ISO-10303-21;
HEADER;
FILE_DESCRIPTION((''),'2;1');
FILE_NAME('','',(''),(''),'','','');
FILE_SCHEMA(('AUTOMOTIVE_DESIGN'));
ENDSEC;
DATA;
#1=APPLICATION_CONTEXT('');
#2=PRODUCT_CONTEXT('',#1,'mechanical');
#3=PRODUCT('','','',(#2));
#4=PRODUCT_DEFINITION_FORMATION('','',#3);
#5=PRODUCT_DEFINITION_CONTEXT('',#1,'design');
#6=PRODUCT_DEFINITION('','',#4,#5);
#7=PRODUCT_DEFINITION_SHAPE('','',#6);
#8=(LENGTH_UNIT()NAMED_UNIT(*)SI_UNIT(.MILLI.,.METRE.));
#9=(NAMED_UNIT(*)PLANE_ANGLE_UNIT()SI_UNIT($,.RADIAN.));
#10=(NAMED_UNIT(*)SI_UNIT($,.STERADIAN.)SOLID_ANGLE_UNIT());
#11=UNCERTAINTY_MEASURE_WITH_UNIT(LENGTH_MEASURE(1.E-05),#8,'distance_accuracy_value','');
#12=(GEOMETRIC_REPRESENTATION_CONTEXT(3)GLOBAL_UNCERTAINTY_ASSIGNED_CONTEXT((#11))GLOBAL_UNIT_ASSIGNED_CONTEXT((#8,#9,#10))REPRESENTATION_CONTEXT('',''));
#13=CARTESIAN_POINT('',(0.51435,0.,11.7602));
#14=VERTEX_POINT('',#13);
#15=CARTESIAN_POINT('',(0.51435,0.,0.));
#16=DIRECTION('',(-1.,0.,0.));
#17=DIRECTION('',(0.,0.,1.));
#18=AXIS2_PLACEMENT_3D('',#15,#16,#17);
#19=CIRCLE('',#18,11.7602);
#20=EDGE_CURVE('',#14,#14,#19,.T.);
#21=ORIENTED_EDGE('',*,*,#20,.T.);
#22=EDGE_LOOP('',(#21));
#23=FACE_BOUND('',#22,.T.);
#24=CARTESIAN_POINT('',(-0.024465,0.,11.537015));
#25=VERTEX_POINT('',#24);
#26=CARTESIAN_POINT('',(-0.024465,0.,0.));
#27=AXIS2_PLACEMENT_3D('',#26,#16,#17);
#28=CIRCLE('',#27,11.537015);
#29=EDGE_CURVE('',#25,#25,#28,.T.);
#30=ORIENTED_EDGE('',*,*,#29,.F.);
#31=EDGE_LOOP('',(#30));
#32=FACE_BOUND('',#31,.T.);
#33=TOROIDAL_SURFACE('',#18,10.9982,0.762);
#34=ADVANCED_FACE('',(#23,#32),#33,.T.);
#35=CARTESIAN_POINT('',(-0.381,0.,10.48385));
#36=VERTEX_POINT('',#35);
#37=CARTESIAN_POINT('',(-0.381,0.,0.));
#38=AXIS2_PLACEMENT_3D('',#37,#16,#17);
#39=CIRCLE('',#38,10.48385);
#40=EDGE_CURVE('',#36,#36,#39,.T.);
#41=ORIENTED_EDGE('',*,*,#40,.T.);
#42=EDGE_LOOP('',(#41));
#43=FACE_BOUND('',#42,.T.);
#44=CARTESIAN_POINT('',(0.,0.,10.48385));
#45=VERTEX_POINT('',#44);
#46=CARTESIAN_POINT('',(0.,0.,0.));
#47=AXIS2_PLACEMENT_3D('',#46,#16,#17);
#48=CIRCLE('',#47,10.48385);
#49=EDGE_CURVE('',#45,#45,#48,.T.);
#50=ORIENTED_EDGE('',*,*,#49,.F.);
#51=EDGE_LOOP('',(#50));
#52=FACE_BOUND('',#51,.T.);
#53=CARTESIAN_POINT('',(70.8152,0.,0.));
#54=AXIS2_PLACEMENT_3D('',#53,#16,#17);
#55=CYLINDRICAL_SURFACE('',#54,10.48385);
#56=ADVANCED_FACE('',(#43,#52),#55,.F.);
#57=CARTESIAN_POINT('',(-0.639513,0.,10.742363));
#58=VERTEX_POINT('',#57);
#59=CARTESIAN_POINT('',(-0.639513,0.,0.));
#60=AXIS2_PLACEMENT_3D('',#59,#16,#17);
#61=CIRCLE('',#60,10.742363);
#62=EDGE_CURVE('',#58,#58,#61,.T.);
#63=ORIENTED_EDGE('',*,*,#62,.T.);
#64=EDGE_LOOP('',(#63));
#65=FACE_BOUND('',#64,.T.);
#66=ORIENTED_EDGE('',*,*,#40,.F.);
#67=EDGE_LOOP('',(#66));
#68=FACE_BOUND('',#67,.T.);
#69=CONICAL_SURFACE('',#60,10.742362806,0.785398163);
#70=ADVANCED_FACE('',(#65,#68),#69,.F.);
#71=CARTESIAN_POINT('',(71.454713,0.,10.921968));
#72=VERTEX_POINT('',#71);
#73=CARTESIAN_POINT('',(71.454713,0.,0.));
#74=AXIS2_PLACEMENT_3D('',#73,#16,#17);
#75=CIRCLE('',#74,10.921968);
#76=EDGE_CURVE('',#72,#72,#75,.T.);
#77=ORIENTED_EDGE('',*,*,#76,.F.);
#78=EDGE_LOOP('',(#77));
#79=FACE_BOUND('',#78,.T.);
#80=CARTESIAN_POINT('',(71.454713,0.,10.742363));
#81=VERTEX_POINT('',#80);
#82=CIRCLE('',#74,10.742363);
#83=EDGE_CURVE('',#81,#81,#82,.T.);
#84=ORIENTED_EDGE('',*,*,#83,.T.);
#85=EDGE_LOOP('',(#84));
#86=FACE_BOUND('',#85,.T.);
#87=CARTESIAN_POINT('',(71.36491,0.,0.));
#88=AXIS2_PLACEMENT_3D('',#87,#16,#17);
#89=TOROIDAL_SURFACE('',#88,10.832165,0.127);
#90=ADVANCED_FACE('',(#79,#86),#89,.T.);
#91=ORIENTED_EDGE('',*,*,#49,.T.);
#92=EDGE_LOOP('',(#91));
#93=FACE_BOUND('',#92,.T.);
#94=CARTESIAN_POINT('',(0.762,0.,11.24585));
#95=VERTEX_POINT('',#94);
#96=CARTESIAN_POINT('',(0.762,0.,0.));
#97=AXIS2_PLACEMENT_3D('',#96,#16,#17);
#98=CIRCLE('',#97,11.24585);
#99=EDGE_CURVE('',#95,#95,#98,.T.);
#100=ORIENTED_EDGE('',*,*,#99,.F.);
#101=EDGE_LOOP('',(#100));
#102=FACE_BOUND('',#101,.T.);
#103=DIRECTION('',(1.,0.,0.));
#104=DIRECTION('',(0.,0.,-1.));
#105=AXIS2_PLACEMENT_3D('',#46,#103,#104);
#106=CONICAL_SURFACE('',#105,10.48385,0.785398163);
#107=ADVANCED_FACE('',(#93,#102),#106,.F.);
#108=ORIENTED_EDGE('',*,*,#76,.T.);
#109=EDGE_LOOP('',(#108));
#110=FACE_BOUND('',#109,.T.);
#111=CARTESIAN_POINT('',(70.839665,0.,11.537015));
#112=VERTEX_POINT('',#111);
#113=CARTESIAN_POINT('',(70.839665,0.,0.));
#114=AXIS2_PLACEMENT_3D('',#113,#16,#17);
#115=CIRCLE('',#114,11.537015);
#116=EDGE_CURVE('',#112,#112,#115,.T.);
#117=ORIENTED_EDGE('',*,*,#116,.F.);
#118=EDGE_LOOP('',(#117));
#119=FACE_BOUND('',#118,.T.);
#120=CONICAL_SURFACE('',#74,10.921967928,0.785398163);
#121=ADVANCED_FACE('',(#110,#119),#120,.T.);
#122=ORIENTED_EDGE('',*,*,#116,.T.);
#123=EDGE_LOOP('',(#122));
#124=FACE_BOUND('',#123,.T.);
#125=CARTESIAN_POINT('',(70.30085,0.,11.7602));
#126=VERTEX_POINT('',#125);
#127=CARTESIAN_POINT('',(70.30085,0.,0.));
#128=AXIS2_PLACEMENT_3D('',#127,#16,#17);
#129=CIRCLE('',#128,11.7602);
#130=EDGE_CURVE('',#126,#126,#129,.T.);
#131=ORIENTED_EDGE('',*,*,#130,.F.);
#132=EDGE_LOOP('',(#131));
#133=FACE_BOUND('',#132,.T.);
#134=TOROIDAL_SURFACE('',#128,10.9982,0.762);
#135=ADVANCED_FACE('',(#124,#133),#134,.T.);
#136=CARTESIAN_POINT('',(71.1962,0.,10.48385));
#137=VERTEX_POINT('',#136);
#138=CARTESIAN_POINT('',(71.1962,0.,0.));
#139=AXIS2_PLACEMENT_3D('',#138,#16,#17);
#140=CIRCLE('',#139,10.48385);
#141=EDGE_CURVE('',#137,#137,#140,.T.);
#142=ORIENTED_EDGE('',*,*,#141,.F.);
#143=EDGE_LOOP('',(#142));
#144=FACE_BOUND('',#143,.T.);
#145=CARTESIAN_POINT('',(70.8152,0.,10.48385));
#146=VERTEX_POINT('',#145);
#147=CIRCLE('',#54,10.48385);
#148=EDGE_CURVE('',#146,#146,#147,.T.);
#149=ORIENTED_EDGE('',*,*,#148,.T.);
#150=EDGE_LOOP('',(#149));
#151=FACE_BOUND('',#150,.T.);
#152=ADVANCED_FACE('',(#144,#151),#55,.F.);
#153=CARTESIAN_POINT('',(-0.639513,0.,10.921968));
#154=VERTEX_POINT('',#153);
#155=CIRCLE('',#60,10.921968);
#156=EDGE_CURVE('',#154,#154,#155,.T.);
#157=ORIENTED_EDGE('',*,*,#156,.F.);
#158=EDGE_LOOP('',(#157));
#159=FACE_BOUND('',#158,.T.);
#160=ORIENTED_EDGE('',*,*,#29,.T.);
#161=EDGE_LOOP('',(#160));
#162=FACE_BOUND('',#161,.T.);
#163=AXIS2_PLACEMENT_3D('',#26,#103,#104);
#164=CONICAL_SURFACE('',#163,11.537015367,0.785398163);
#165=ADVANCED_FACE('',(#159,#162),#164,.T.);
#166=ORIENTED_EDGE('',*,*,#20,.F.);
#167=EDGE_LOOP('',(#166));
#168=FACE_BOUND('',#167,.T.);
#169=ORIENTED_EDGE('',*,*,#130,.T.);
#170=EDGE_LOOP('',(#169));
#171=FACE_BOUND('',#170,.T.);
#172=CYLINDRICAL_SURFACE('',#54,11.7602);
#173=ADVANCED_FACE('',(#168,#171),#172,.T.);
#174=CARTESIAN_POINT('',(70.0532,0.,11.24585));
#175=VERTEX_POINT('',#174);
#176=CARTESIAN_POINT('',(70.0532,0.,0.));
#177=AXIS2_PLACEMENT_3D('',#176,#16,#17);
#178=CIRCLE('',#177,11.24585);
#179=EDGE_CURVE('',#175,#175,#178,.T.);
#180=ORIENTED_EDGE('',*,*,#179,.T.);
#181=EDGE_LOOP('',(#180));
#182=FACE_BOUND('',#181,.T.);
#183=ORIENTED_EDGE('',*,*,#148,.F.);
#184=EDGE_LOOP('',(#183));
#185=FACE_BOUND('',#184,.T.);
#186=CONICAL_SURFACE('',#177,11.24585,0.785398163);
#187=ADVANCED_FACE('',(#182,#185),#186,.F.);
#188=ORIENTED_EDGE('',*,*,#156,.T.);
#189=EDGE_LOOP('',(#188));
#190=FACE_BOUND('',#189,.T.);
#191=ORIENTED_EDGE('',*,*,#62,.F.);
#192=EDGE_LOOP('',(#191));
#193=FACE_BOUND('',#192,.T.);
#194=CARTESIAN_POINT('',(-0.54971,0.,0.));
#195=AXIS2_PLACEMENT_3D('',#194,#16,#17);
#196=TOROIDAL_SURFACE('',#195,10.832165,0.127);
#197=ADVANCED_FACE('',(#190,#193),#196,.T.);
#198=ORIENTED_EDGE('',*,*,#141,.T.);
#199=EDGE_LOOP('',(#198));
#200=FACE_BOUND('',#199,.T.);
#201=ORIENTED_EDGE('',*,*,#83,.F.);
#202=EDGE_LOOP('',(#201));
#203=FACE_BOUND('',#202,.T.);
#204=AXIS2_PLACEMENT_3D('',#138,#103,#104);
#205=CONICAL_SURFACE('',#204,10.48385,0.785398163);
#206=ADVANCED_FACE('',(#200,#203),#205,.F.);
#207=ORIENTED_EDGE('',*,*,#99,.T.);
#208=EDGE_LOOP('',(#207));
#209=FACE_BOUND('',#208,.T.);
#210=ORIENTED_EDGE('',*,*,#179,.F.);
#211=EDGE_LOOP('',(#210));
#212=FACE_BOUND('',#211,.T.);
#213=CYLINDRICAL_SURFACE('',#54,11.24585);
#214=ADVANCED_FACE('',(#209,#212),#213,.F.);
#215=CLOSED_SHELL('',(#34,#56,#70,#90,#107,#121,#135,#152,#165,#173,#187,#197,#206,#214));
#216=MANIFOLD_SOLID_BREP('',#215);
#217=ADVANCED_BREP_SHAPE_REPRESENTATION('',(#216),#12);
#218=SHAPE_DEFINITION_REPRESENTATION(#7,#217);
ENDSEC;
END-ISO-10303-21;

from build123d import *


with BuildPart() as part:
    # Sketch1 → Revolve1 (revolve)
    with BuildSketch(Plane.XY):
        with BuildLine():
            Line((-0.639512806, 10.742362806), (-0.381, 10.48385))
            Line((-0.381, 10.48385), (0, 10.48385))
            Line((0, 10.48385), (0.762, 11.24585))
            Line((0.762, 11.24585), (70.0532, 11.24585))
            Line((70.0532, 11.24585), (70.8152, 10.48385))
            Line((70.8152, 10.48385), (71.1962, 10.48385))
            Line((71.1962, 10.48385), (71.454712806, 10.742362806))
            ThreePointArc((71.454712806, 10.742362806), (71.491910245, 10.832165367), (71.454712806, 10.921967928))
            Line((71.454712806, 10.921967928), (70.839665367, 11.537015367))
            ThreePointArc((70.839665367, 11.537015367), (70.592454775, 11.702196204), (70.30085, 11.7602))
            Line((70.30085, 11.7602), (0.51435, 11.7602))
            ThreePointArc((0.51435, 11.7602), (0.222745225, 11.702196204), (-0.024465367, 11.537015367))
            Line((-0.024465367, 11.537015367), (-0.639512806, 10.921967928))
            ThreePointArc((-0.639512806, 10.921967928), (-0.676710245, 10.832165367), (-0.639512806, 10.742362806))
        make_face()
    revolve(axis=Axis((70.8152, 0, 0), (-1, 0, 0)))


solid = part.part
